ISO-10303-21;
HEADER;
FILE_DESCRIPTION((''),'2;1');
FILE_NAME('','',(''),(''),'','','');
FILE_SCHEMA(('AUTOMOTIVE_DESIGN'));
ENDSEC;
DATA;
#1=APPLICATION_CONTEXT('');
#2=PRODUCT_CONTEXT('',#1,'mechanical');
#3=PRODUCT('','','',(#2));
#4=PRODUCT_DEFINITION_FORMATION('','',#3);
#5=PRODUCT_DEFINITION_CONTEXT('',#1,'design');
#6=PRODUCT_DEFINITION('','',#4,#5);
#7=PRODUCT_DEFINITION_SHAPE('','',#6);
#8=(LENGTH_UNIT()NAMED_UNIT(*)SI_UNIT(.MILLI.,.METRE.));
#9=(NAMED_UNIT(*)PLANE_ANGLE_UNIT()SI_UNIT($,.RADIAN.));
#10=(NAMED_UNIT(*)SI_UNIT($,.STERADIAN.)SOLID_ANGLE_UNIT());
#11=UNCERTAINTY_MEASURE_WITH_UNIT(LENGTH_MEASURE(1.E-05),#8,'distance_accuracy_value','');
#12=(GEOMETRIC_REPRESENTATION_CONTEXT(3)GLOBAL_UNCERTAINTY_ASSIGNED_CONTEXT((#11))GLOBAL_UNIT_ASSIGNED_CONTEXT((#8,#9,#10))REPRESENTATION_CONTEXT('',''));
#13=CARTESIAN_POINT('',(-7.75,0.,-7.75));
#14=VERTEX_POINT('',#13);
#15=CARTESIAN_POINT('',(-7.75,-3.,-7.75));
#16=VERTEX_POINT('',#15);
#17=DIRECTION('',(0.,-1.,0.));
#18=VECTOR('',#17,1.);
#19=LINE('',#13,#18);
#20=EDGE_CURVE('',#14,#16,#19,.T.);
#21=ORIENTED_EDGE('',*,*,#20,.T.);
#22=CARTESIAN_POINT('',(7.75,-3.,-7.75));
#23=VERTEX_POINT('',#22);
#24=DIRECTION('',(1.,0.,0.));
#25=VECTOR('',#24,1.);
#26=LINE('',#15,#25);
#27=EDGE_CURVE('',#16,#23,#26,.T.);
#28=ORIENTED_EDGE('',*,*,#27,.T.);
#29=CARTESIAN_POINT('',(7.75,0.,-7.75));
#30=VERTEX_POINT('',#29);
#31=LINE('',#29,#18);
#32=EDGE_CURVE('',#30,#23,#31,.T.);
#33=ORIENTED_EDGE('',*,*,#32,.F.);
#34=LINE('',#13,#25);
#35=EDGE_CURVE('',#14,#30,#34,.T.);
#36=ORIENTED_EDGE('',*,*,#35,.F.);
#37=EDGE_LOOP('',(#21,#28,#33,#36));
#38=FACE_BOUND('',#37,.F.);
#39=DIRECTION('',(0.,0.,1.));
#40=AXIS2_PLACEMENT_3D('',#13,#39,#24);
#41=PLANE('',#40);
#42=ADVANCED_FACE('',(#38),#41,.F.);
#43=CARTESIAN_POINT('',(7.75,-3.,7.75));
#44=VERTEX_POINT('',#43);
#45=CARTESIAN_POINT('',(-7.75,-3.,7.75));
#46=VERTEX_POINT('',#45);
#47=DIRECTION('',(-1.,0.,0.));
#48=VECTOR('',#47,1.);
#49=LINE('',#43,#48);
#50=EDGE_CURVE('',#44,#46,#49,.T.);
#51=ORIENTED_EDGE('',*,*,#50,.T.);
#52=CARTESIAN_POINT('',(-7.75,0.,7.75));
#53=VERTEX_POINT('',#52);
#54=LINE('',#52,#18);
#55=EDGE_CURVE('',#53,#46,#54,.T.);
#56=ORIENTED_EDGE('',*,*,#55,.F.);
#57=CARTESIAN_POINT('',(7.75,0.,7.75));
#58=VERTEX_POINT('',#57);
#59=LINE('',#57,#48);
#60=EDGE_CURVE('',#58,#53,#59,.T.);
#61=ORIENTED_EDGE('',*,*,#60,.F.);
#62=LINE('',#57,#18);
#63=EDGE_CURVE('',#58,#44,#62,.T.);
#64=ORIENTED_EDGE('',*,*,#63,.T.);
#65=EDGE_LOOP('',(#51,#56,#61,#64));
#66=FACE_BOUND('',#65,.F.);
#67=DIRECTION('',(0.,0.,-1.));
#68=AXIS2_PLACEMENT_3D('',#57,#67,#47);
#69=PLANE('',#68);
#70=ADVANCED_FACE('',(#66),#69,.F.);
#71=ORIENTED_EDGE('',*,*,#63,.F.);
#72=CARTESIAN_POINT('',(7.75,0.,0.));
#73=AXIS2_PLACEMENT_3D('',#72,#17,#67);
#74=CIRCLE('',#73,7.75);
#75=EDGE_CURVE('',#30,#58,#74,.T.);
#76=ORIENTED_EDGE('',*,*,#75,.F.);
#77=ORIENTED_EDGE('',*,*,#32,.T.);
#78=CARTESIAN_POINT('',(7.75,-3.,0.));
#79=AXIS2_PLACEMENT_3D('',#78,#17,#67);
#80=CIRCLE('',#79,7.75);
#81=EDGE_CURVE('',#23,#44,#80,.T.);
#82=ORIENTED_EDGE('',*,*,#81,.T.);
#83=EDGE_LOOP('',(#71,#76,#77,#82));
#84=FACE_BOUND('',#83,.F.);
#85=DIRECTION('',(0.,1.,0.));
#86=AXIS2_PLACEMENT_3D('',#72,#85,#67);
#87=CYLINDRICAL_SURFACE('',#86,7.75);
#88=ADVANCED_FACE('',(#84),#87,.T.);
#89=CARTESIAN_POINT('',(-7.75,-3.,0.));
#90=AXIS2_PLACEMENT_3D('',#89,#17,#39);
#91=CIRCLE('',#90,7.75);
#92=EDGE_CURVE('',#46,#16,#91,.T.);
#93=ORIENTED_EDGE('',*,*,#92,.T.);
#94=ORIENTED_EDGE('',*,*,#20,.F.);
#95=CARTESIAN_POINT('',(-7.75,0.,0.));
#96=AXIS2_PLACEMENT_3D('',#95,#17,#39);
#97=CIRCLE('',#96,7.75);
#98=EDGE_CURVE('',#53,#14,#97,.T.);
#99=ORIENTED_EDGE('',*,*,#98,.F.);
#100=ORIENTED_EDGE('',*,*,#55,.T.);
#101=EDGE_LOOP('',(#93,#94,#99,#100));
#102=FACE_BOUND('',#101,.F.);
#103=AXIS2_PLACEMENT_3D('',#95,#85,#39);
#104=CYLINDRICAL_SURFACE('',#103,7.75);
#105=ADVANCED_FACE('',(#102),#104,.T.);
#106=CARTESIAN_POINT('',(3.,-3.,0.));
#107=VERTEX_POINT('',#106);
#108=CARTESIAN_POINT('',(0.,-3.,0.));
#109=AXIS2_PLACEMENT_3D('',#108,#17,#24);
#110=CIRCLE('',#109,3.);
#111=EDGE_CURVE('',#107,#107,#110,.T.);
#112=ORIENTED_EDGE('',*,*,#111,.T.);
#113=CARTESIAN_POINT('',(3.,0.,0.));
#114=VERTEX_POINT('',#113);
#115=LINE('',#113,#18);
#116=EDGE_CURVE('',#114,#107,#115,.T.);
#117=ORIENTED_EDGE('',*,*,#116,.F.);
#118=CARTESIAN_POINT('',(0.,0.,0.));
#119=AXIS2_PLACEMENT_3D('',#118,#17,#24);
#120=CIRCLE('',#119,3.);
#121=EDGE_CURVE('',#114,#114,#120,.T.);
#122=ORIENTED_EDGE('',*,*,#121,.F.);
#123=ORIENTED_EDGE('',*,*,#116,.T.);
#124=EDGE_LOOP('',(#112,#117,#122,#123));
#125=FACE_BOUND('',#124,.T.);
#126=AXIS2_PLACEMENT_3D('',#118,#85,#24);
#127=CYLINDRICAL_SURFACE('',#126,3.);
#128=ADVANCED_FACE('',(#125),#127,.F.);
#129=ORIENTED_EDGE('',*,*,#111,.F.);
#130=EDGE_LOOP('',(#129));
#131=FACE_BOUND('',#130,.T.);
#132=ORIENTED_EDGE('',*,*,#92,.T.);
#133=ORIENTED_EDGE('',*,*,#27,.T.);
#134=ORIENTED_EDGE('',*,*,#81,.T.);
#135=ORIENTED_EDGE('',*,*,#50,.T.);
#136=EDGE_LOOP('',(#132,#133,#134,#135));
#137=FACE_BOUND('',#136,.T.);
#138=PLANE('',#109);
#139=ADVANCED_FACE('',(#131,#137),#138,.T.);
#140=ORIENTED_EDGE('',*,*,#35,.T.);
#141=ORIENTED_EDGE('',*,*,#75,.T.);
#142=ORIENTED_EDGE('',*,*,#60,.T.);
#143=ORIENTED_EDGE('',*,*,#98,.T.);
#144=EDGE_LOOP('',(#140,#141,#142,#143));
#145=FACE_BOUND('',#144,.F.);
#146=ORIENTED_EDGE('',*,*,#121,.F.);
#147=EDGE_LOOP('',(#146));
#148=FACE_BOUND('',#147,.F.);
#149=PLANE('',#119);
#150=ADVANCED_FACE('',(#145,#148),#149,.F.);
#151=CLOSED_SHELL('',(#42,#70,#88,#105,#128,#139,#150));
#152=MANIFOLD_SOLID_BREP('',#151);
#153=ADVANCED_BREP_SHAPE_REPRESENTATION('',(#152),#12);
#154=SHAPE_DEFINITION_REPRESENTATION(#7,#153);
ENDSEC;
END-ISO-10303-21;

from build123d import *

# Parameters (mm, degrees)
F0_R     = 3
F1_DEPTH = 3


with BuildPart() as f1:
    # F0 (on Front) → F1 (new body)
    with BuildSketch(Plane.XZ):
        with BuildLine():
            Line((-7.75, -7.75), (7.75, -7.75))
            ThreePointArc((7.75, -7.75), (15.5, 0), (7.75, 7.75))
            Line((7.75, 7.75), (-7.75, 7.75))
            ThreePointArc((-7.75, 7.75), (-15.5, 0), (-7.75, -7.75))
        make_face()
        Circle(F0_R, mode=Mode.SUBTRACT)
    extrude(amount=F1_DEPTH)


solid = f1.part
